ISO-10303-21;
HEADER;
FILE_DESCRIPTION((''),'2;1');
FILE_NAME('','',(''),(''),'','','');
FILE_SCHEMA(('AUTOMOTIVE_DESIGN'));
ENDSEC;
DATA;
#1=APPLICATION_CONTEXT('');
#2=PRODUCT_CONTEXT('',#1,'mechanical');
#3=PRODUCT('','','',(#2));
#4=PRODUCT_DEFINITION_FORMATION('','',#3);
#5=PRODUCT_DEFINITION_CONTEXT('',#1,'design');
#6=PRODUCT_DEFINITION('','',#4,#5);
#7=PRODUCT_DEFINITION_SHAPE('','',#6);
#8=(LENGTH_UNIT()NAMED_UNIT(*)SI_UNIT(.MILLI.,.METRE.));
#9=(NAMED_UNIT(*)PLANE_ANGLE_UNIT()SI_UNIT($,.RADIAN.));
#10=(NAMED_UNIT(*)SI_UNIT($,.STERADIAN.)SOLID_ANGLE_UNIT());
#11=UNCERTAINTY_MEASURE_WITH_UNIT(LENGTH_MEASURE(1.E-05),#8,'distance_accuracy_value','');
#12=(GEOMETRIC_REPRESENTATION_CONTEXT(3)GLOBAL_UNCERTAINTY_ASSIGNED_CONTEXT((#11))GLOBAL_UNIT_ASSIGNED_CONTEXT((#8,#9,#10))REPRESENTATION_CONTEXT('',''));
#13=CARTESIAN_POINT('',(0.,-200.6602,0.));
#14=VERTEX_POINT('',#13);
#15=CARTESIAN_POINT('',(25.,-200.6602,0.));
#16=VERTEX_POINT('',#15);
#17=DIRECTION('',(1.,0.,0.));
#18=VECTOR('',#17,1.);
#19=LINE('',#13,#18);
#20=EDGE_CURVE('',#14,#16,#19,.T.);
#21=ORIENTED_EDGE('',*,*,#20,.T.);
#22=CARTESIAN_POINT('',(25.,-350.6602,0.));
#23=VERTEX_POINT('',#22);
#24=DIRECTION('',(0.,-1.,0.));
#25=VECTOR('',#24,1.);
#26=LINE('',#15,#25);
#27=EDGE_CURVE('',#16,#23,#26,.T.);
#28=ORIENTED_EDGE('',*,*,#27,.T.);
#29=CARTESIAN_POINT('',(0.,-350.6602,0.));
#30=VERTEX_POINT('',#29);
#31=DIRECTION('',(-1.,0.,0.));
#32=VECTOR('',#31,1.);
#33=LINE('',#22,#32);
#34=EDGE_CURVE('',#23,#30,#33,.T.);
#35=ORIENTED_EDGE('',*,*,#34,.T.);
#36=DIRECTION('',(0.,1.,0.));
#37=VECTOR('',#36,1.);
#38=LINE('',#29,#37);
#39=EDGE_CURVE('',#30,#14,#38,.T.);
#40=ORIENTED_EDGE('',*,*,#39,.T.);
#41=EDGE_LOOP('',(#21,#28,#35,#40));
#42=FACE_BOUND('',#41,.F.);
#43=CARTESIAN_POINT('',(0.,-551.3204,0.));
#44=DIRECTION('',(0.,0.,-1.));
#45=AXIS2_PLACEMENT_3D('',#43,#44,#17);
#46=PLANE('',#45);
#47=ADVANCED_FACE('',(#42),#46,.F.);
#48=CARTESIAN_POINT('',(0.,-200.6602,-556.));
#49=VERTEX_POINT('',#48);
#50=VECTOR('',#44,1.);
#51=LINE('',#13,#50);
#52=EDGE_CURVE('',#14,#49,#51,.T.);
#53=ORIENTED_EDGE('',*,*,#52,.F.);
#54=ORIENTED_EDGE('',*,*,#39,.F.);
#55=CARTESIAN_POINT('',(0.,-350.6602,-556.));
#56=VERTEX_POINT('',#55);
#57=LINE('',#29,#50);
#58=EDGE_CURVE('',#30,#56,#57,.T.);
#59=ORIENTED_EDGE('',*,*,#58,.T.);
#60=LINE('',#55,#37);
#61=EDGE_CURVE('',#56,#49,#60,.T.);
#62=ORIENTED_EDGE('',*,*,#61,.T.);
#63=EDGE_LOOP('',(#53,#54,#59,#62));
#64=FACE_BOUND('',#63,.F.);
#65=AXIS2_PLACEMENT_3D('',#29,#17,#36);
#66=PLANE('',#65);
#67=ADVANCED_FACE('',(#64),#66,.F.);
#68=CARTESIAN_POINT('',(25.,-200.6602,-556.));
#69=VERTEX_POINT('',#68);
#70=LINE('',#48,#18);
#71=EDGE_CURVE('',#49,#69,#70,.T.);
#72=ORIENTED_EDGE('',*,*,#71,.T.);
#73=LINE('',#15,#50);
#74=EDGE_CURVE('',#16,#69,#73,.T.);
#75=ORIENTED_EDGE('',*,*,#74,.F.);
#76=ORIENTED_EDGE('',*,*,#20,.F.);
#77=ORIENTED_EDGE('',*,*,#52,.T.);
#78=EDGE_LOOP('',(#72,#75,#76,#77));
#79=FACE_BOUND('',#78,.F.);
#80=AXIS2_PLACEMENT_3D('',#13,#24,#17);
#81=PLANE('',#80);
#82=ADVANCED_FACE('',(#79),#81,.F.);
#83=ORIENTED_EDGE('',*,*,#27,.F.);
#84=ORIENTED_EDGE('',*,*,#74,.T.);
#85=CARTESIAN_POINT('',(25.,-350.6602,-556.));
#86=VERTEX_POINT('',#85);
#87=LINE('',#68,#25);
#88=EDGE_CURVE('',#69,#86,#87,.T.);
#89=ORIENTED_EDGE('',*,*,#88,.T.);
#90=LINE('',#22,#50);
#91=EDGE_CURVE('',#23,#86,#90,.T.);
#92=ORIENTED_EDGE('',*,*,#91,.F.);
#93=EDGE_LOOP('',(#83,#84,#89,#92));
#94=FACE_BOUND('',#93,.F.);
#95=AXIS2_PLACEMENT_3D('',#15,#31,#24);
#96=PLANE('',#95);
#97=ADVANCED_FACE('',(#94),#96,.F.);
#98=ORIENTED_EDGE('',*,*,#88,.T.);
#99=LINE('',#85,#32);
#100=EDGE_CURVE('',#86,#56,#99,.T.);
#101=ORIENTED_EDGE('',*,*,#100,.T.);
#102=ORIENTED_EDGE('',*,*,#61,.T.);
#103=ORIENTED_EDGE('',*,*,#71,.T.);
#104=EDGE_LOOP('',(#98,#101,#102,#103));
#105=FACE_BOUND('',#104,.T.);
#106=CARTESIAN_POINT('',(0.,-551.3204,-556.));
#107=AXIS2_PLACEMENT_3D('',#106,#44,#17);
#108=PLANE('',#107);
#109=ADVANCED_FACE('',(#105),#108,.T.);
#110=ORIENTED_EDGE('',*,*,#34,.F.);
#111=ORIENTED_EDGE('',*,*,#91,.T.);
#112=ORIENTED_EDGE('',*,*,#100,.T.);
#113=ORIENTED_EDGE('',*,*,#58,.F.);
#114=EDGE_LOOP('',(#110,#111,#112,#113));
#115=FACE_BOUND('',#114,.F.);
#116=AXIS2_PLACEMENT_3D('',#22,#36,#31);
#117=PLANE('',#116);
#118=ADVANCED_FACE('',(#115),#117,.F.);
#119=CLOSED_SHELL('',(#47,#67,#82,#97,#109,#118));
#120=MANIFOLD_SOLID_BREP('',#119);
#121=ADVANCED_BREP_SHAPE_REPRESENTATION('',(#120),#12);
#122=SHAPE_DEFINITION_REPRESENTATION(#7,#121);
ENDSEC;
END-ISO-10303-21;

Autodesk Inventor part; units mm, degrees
ref_plane "YZ Plane" through (0, 0, 0) normal (1, 0, 0) x (0, 1, 0)
ref_plane "XZ Plane" through (0, 0, 0) normal (0, 1, 0) x (-1, 0, 0)
ref_plane "Work Plane1" through (0, -551.3204, 0) normal (0, 0, -1) x (1, 0, 0)
sketch "Sketch1" plane through (0, -551.3204, 0) normal (0, 0, -1) x (1, 0, 0)
  line L0 (0, -350.6602) -> (25, -350.6602)
  line L1 (25, -350.6602) -> (25, -200.6602)
  line L2 (25, -200.6602) -> (0, -200.6602)
  line L3 (0, -200.6602) -> (0, -350.6602)
  point P0 (0, -551.3204)
  dimension "d0" = 25
  dimension "d1" = 150
extrude "Extrusion1" add sketch "Sketch1" along normal blind 556
properties part number "pinho 25x150"
